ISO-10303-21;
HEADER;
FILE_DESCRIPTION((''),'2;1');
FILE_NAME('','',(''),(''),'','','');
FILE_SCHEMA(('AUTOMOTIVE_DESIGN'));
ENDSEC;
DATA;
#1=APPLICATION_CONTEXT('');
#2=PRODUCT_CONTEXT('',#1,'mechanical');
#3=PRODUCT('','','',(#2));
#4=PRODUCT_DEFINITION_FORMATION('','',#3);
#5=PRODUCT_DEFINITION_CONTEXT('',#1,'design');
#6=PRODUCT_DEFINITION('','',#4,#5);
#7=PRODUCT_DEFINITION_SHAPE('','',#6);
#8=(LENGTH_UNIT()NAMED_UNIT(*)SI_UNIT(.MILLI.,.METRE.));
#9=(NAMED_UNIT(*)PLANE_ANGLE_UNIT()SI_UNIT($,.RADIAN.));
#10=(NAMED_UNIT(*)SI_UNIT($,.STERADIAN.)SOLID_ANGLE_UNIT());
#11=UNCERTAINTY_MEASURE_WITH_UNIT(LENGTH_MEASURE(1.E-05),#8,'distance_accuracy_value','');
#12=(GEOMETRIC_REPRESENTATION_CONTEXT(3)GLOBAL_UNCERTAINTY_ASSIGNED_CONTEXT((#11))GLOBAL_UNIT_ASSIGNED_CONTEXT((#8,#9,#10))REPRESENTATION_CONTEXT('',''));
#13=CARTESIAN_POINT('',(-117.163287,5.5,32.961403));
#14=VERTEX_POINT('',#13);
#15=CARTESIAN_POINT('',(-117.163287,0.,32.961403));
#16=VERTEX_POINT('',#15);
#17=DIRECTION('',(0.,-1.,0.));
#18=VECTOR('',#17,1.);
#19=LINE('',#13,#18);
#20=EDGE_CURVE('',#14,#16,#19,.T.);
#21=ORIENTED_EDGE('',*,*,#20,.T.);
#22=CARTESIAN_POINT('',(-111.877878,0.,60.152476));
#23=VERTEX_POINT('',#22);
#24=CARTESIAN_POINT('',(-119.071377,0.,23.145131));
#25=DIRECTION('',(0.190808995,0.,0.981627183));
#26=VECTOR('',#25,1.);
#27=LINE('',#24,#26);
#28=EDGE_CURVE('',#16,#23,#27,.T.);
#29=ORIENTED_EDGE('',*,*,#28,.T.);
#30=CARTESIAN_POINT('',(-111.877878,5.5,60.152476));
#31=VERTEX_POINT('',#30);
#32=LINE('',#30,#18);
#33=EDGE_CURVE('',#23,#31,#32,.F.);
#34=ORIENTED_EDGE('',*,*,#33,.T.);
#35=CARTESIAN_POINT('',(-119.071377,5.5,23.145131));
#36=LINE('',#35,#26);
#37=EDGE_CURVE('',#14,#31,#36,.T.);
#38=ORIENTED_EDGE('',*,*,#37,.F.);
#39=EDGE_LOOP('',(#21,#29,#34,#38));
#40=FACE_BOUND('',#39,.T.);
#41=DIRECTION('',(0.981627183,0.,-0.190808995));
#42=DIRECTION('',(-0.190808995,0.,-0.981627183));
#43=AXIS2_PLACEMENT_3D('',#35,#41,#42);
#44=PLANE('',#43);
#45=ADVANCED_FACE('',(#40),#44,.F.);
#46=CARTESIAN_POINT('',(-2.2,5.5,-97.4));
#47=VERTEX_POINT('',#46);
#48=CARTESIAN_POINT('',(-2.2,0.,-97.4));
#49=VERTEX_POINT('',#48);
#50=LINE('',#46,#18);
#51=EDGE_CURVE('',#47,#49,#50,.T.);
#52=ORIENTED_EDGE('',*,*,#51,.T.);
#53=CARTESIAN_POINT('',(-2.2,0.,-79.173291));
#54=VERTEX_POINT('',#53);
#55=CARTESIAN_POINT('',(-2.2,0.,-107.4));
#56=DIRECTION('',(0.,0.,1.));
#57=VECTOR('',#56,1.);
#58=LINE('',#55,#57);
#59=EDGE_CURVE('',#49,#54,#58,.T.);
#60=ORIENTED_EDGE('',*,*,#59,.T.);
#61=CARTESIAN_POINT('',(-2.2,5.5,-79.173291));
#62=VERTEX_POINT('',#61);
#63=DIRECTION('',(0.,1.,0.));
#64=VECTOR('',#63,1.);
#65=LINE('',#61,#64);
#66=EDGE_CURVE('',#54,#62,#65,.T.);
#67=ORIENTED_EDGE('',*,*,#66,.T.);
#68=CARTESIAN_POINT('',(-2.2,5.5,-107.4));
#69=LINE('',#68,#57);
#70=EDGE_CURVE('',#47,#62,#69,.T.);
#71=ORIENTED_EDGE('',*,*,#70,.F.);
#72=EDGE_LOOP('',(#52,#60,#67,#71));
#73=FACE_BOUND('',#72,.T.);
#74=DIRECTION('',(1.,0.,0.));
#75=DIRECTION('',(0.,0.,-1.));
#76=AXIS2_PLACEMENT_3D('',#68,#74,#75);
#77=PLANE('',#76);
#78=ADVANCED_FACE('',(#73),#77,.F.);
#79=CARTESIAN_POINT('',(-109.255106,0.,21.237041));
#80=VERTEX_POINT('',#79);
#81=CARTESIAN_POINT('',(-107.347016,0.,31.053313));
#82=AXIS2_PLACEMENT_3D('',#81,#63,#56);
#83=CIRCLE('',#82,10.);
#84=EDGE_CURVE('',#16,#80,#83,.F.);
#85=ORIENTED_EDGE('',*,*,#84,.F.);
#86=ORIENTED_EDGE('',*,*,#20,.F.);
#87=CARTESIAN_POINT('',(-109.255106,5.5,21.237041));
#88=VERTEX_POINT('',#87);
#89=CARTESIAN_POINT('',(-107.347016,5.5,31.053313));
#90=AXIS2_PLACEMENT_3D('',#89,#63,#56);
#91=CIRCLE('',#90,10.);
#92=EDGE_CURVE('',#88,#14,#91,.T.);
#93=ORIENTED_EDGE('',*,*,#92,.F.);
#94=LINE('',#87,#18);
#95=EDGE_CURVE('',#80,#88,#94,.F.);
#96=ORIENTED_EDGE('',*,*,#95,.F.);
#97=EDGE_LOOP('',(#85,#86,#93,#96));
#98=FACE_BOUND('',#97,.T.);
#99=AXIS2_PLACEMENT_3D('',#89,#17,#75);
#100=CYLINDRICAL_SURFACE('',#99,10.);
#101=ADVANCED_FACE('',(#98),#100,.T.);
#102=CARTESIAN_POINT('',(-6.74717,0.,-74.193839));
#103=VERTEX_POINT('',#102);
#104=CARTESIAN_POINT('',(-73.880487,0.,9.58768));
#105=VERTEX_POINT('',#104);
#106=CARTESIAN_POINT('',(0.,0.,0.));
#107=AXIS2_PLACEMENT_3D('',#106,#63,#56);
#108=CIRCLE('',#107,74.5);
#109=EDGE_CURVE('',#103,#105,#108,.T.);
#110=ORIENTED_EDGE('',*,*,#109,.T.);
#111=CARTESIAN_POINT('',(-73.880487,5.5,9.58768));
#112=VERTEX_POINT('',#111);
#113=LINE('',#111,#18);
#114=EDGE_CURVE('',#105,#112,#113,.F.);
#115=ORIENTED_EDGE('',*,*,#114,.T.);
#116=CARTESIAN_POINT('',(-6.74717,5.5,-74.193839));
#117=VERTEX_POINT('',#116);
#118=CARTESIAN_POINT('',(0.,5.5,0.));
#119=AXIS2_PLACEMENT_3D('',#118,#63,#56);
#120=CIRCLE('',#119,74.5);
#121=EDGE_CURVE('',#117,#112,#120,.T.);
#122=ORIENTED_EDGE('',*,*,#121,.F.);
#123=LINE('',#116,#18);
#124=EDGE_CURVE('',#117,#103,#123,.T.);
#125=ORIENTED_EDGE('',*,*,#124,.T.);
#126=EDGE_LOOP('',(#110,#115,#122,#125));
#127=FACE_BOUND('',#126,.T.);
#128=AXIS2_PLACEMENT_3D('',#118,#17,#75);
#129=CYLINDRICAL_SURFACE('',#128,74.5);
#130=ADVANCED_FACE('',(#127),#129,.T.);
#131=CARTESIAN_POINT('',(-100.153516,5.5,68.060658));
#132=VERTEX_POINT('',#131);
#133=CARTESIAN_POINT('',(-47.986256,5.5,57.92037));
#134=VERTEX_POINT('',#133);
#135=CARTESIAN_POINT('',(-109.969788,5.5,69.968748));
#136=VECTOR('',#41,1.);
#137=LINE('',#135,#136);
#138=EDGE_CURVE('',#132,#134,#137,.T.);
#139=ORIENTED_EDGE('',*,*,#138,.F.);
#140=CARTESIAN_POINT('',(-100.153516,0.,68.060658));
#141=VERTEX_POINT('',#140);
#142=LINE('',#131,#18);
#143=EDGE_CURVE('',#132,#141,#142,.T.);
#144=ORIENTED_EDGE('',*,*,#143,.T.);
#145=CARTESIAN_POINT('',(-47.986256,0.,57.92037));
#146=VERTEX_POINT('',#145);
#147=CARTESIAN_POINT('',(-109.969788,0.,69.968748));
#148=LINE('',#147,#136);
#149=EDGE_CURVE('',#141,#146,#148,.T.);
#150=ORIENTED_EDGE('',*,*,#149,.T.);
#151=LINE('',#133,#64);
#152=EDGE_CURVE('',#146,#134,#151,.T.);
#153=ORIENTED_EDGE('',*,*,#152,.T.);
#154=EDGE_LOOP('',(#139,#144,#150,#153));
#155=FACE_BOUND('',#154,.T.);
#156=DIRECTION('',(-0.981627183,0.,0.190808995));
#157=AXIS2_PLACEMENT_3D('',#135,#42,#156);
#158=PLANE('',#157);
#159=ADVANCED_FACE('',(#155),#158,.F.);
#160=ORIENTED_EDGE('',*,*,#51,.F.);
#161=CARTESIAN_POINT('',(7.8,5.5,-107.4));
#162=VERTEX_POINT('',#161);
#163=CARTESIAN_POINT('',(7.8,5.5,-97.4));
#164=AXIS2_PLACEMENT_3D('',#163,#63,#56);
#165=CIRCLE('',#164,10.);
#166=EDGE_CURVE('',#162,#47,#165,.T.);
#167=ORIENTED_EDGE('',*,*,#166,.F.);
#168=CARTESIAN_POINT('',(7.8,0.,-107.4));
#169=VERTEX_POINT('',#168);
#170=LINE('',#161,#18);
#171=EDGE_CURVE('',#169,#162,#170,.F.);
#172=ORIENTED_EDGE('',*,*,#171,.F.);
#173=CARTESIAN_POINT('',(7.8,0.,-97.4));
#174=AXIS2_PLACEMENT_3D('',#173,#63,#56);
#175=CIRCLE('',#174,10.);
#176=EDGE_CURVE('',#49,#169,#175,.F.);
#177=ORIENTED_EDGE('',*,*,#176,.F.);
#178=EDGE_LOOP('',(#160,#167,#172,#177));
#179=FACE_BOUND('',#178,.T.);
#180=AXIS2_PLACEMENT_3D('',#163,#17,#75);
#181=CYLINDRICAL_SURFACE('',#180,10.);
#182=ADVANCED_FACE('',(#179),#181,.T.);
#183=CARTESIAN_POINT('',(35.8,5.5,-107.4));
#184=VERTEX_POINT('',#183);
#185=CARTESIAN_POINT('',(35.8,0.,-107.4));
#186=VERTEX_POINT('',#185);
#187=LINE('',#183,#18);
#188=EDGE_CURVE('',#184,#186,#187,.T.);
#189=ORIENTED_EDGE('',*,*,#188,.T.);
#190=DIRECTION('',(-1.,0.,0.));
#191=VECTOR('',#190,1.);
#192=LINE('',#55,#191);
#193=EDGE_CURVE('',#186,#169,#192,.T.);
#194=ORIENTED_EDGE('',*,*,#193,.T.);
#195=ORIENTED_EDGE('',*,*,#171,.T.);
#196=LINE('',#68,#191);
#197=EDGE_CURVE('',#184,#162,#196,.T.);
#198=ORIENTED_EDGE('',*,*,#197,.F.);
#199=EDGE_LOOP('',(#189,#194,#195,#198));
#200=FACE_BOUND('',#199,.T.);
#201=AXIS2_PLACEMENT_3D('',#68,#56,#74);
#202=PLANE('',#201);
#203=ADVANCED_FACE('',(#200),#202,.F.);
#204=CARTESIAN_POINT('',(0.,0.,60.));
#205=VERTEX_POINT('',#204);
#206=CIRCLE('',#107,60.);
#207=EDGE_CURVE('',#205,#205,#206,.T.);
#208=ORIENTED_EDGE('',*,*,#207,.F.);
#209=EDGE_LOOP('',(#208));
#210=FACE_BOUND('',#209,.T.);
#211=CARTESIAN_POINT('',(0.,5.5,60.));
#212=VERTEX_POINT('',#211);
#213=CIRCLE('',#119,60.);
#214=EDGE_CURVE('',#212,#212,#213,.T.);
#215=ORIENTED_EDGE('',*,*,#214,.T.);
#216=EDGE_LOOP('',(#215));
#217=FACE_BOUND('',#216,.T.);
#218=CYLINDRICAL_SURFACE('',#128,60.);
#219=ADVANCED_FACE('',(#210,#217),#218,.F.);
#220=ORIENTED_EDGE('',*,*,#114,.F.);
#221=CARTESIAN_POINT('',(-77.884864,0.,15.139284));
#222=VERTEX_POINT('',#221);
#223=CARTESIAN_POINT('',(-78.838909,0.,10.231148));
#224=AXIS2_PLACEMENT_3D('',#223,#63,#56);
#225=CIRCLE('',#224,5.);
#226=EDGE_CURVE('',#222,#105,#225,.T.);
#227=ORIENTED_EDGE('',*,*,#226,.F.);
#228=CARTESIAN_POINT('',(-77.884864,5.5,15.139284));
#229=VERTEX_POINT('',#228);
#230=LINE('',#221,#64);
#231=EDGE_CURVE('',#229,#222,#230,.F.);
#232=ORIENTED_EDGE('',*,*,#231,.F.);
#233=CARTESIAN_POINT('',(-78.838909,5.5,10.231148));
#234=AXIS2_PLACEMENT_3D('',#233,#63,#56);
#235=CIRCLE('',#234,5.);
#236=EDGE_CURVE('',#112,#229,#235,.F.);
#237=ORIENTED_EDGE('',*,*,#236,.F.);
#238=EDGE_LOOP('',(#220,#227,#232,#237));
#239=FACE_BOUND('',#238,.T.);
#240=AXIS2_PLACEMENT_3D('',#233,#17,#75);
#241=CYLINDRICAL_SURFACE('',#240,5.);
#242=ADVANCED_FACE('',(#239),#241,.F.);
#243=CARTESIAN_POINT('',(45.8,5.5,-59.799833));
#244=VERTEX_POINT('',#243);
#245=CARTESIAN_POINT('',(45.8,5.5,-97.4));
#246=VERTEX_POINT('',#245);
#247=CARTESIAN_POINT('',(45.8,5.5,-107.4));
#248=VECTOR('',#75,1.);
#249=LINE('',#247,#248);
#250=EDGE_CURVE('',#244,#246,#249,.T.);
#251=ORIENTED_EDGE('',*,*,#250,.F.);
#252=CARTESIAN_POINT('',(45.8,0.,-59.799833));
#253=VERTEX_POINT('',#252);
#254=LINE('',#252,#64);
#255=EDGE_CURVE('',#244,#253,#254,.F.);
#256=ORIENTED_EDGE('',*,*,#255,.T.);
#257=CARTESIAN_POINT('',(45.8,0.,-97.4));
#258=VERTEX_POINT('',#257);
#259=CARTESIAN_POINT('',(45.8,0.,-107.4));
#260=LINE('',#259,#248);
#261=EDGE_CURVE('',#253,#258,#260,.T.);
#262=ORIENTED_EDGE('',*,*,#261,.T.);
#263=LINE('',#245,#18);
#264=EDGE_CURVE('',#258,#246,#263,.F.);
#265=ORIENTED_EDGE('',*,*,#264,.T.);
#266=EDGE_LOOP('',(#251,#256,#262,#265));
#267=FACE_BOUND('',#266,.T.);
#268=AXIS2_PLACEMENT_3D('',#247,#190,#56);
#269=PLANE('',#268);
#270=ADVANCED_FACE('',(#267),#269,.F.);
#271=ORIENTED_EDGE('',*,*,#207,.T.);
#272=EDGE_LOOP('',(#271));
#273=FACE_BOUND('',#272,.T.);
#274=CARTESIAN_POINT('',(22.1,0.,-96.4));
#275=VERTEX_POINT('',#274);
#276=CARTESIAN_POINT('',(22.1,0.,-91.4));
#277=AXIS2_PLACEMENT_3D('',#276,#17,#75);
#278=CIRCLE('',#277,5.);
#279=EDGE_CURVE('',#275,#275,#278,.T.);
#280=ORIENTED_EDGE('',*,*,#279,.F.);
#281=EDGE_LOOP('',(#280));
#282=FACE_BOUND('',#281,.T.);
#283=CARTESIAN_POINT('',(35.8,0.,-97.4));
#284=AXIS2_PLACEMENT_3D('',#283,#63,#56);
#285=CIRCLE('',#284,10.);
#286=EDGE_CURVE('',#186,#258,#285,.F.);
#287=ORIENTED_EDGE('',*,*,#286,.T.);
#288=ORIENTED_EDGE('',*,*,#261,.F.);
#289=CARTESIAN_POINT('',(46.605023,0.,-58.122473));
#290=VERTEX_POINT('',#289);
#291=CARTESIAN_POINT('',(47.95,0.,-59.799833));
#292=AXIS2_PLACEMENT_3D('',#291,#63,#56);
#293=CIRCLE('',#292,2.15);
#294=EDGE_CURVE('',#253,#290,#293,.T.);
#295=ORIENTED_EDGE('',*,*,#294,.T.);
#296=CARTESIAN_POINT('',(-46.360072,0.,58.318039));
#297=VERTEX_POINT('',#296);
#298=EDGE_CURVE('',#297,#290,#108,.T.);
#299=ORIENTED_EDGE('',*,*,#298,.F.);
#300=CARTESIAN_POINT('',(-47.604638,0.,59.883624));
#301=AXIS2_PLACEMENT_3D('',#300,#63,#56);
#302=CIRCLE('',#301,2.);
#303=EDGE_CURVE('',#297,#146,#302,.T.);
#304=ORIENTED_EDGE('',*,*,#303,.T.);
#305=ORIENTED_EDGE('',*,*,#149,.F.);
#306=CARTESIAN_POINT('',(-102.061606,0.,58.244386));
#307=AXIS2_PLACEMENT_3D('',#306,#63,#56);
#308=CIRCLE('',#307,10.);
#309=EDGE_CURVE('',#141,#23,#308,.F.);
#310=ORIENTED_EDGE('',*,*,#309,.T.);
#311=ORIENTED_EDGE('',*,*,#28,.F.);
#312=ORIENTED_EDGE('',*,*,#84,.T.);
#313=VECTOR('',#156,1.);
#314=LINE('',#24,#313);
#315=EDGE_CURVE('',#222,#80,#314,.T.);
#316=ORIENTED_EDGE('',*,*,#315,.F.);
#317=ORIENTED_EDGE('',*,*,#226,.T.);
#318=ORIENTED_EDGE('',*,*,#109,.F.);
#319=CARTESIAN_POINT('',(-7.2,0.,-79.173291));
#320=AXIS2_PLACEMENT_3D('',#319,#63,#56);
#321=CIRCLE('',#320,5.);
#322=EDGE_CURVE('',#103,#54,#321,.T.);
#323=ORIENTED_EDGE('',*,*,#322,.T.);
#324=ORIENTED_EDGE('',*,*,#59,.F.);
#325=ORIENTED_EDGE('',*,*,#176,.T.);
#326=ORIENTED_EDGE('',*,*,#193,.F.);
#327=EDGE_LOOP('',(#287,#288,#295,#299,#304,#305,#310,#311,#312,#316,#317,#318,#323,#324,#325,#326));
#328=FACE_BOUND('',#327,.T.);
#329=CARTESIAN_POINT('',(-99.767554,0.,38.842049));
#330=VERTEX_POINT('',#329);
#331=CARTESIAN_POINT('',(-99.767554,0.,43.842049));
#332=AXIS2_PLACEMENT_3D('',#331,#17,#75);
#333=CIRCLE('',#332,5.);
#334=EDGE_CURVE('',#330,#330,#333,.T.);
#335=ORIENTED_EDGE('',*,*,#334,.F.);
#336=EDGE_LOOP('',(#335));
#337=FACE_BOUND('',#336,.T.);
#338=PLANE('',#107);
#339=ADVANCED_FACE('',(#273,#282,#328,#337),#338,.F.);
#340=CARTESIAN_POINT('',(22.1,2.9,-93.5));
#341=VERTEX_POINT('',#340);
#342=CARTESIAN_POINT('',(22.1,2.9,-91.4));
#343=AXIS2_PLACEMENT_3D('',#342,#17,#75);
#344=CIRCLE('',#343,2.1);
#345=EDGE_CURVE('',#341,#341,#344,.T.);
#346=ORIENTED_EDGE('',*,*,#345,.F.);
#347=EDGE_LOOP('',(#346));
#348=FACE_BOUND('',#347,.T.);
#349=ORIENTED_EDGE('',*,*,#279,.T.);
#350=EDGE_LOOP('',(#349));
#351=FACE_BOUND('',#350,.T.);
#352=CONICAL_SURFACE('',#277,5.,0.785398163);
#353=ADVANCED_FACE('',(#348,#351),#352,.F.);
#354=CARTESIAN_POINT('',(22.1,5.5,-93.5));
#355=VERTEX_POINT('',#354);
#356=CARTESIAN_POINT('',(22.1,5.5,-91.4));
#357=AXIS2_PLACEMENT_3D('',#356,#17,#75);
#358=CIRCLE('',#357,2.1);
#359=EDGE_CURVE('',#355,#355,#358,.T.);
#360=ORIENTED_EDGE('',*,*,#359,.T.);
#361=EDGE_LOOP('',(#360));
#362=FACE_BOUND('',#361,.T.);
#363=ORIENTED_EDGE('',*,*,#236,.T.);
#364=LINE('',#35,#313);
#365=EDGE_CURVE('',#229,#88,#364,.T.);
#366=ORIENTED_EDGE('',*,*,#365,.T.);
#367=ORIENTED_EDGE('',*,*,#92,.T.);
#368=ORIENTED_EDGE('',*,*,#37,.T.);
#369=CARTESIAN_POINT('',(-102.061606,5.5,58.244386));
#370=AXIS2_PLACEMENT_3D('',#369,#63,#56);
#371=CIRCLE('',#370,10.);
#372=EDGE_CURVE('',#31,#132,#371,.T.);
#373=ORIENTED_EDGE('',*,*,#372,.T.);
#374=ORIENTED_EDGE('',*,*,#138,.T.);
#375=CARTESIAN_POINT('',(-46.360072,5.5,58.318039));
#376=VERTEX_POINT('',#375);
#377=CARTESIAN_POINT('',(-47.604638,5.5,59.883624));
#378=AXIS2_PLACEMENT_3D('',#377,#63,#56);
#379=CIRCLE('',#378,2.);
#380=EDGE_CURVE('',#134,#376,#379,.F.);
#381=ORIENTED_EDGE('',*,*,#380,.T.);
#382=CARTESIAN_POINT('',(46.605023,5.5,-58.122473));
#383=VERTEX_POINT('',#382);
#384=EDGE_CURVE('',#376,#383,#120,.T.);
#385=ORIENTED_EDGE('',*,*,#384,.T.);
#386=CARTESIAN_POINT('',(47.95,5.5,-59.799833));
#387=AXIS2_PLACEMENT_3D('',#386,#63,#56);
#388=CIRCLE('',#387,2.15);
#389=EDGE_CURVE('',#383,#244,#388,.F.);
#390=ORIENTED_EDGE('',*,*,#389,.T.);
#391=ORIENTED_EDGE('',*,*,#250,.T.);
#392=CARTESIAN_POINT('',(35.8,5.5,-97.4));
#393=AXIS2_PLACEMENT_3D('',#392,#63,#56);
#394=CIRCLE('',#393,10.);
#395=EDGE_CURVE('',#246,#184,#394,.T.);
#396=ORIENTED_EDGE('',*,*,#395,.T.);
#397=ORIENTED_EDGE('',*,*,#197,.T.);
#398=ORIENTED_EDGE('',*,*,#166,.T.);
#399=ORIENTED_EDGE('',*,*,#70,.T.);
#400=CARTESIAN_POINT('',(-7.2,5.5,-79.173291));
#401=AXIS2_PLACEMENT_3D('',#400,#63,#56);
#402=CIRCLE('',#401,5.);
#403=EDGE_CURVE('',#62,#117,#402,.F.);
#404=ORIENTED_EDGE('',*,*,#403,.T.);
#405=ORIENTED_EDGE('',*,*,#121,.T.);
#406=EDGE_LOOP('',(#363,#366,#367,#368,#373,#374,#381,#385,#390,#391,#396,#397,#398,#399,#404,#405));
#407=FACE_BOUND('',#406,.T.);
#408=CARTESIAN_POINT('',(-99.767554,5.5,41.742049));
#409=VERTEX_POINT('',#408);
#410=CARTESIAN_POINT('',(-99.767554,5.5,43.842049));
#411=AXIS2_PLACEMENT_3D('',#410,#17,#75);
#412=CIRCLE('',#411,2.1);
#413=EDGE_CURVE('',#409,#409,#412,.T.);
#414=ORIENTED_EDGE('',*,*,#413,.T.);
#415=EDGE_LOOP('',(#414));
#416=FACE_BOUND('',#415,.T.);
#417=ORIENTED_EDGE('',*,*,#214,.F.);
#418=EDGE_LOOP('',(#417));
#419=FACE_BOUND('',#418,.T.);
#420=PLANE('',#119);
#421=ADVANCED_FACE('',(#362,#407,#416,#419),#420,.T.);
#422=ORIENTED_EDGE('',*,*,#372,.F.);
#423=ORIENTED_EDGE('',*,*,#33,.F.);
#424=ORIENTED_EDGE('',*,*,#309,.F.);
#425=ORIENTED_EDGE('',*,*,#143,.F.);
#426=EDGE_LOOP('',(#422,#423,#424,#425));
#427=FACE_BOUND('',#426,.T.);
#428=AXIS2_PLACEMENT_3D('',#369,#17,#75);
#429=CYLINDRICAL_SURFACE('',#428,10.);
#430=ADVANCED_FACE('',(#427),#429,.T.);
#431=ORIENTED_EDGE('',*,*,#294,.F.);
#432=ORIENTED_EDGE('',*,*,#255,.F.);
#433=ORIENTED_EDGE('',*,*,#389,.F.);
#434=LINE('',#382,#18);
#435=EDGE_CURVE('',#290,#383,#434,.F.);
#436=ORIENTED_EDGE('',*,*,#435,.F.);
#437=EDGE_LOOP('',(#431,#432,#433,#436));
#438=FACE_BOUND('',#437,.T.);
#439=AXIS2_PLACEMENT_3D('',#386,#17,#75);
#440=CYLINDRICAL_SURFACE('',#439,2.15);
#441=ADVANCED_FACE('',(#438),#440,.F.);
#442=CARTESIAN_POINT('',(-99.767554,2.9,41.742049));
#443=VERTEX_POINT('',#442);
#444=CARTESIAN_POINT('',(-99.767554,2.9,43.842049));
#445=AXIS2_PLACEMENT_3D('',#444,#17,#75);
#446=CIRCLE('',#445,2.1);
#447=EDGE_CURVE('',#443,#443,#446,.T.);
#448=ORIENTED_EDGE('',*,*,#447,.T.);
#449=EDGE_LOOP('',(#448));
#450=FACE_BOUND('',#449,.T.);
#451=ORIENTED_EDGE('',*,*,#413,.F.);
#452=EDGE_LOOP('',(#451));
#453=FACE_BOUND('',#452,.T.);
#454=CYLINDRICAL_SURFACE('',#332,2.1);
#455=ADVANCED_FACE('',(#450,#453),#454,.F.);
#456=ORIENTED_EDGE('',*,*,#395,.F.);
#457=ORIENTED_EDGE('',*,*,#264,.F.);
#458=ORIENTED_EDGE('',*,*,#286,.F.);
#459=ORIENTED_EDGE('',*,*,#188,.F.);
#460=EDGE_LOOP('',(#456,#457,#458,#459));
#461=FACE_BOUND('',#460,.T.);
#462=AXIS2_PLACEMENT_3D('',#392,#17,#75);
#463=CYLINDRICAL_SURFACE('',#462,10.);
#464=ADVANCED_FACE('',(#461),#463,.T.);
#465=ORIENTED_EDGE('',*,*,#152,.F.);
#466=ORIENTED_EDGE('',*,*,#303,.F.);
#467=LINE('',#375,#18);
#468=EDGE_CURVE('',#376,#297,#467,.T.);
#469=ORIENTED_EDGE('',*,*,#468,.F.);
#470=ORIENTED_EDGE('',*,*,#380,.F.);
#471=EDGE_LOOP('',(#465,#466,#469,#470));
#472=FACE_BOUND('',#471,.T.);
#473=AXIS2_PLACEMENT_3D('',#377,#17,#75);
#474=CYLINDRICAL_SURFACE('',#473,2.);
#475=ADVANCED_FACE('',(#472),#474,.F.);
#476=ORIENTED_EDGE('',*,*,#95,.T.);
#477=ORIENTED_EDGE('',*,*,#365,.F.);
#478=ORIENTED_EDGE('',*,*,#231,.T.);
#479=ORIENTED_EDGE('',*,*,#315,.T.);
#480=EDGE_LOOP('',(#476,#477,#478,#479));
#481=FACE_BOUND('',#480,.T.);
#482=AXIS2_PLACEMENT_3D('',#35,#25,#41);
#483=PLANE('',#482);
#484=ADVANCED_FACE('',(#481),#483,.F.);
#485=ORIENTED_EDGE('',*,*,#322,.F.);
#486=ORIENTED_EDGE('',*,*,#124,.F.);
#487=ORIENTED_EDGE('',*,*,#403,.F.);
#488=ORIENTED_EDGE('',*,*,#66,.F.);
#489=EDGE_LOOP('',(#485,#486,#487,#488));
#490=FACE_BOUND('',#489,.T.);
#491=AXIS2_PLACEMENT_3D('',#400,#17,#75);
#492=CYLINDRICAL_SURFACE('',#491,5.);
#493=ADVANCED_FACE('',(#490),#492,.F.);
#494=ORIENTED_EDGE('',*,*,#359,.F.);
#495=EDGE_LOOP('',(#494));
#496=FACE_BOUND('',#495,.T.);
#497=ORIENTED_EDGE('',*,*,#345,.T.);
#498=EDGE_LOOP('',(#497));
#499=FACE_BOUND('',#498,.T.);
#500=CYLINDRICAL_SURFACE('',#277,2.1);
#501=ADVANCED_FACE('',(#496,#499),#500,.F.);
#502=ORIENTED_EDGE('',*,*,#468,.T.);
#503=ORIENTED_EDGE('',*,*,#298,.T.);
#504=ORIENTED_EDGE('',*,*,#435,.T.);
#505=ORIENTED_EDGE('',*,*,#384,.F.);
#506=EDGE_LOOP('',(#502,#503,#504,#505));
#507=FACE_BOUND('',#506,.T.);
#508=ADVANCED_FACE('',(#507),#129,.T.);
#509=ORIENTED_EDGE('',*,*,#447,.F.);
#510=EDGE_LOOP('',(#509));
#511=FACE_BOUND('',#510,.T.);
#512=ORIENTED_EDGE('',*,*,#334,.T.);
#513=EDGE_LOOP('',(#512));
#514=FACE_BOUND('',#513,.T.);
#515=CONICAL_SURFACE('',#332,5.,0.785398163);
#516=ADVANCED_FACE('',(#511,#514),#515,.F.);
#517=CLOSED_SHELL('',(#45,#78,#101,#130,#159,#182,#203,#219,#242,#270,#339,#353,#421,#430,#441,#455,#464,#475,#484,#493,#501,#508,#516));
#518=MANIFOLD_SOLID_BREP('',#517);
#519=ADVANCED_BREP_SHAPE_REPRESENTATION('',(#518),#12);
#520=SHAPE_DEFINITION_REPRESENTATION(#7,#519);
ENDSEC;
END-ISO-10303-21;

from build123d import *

# Parameters (mm, degrees)
SKETCH1_R                     = 60
BOSS_EXTRUDE1_DEPTH           = 5.5
FILLET1_R                     = 2
FILLET2_R                     = 10
FILLET3_R                     = 5
FILLET4_R                     = 2.15
CSK_FOR_M4_SFHCS1_D           = 4.2
CSK_FOR_M4_SFHCS1_CSINK_D     = 10
CSK_FOR_M4_SFHCS1_CSINK_ANGLE = 90


with BuildPart() as part:
    # Sketch1 → Boss-Extrude1 (new body)
    with BuildSketch(Plane(origin=(0, 0, 0), x_dir=(1, 0, 0), z_dir=(0, 1, 0))):
        with BuildLine():
            Line((-119.071377352, -23.145131139), (-73.131225167, -14.215270156))
            ThreePointArc((-73.131225167, -14.215270156), (-58.179525881, 46.533780937), (-2.2, 74.467509694))
            Line((-2.2, 74.467509694), (-2.2, 107.4))
            Line((-2.2, 107.4), (45.8, 107.4))
            Line((45.8, 107.4), (45.8, 58.758914217))
            ThreePointArc((45.8, 58.758914217), (58.254488227, -46.439903116), (-47.074251085, -57.743093828))
            Line((-47.074251085, -57.743093828), (-109.969788273, -69.96874779))
            Line((-109.969788273, -69.96874779), (-119.071377352, -23.145131139))
        make_face()
        Circle(SKETCH1_R, mode=Mode.SUBTRACT)
    extrude(amount=BOSS_EXTRUDE1_DEPTH)

    # Fillet1
    fillet1_edges = [part.edges().sort_by_distance(p)[0] for p in [
        (-47.074251085, 2.75, 57.743093828),
    ]]
    fillet(fillet1_edges, radius=FILLET1_R)

    # Fillet2
    fillet2_edges = [part.edges().sort_by_distance(p)[0] for p in [
        (-119.071377352, 2.75, 23.145131139),
        (-2.2, 2.75, -107.4),
        (45.8, 2.75, -107.4),
        (-109.969788273, 2.75, 69.96874779),
    ]]
    fillet(fillet2_edges, radius=FILLET2_R)

    # Fillet3
    fillet3_edges = [part.edges().sort_by_distance(p)[0] for p in [
        (-73.131225167, 2.75, 14.215270156),
        (-2.2, 2.75, -74.467509694),
    ]]
    fillet(fillet3_edges, radius=FILLET3_R)

    # Fillet4
    fillet4_edges = [part.edges().sort_by_distance(p)[0] for p in [
        (45.8, 2.75, -58.758914217),
    ]]
    fillet(fillet4_edges, radius=FILLET4_R)

    # CSK for M4 SFHCS1 (through all)
    with Locations(Plane(origin=(0, 0, 0), x_dir=(-1, 0, 0), z_dir=(0, -1, 0))):
        with Locations((-22.1, 91.4), (99.767553711, -43.842048611)):
            CounterSinkHole(CSK_FOR_M4_SFHCS1_D / 2, CSK_FOR_M4_SFHCS1_CSINK_D / 2, counter_sink_angle=CSK_FOR_M4_SFHCS1_CSINK_ANGLE)


solid = part.part
